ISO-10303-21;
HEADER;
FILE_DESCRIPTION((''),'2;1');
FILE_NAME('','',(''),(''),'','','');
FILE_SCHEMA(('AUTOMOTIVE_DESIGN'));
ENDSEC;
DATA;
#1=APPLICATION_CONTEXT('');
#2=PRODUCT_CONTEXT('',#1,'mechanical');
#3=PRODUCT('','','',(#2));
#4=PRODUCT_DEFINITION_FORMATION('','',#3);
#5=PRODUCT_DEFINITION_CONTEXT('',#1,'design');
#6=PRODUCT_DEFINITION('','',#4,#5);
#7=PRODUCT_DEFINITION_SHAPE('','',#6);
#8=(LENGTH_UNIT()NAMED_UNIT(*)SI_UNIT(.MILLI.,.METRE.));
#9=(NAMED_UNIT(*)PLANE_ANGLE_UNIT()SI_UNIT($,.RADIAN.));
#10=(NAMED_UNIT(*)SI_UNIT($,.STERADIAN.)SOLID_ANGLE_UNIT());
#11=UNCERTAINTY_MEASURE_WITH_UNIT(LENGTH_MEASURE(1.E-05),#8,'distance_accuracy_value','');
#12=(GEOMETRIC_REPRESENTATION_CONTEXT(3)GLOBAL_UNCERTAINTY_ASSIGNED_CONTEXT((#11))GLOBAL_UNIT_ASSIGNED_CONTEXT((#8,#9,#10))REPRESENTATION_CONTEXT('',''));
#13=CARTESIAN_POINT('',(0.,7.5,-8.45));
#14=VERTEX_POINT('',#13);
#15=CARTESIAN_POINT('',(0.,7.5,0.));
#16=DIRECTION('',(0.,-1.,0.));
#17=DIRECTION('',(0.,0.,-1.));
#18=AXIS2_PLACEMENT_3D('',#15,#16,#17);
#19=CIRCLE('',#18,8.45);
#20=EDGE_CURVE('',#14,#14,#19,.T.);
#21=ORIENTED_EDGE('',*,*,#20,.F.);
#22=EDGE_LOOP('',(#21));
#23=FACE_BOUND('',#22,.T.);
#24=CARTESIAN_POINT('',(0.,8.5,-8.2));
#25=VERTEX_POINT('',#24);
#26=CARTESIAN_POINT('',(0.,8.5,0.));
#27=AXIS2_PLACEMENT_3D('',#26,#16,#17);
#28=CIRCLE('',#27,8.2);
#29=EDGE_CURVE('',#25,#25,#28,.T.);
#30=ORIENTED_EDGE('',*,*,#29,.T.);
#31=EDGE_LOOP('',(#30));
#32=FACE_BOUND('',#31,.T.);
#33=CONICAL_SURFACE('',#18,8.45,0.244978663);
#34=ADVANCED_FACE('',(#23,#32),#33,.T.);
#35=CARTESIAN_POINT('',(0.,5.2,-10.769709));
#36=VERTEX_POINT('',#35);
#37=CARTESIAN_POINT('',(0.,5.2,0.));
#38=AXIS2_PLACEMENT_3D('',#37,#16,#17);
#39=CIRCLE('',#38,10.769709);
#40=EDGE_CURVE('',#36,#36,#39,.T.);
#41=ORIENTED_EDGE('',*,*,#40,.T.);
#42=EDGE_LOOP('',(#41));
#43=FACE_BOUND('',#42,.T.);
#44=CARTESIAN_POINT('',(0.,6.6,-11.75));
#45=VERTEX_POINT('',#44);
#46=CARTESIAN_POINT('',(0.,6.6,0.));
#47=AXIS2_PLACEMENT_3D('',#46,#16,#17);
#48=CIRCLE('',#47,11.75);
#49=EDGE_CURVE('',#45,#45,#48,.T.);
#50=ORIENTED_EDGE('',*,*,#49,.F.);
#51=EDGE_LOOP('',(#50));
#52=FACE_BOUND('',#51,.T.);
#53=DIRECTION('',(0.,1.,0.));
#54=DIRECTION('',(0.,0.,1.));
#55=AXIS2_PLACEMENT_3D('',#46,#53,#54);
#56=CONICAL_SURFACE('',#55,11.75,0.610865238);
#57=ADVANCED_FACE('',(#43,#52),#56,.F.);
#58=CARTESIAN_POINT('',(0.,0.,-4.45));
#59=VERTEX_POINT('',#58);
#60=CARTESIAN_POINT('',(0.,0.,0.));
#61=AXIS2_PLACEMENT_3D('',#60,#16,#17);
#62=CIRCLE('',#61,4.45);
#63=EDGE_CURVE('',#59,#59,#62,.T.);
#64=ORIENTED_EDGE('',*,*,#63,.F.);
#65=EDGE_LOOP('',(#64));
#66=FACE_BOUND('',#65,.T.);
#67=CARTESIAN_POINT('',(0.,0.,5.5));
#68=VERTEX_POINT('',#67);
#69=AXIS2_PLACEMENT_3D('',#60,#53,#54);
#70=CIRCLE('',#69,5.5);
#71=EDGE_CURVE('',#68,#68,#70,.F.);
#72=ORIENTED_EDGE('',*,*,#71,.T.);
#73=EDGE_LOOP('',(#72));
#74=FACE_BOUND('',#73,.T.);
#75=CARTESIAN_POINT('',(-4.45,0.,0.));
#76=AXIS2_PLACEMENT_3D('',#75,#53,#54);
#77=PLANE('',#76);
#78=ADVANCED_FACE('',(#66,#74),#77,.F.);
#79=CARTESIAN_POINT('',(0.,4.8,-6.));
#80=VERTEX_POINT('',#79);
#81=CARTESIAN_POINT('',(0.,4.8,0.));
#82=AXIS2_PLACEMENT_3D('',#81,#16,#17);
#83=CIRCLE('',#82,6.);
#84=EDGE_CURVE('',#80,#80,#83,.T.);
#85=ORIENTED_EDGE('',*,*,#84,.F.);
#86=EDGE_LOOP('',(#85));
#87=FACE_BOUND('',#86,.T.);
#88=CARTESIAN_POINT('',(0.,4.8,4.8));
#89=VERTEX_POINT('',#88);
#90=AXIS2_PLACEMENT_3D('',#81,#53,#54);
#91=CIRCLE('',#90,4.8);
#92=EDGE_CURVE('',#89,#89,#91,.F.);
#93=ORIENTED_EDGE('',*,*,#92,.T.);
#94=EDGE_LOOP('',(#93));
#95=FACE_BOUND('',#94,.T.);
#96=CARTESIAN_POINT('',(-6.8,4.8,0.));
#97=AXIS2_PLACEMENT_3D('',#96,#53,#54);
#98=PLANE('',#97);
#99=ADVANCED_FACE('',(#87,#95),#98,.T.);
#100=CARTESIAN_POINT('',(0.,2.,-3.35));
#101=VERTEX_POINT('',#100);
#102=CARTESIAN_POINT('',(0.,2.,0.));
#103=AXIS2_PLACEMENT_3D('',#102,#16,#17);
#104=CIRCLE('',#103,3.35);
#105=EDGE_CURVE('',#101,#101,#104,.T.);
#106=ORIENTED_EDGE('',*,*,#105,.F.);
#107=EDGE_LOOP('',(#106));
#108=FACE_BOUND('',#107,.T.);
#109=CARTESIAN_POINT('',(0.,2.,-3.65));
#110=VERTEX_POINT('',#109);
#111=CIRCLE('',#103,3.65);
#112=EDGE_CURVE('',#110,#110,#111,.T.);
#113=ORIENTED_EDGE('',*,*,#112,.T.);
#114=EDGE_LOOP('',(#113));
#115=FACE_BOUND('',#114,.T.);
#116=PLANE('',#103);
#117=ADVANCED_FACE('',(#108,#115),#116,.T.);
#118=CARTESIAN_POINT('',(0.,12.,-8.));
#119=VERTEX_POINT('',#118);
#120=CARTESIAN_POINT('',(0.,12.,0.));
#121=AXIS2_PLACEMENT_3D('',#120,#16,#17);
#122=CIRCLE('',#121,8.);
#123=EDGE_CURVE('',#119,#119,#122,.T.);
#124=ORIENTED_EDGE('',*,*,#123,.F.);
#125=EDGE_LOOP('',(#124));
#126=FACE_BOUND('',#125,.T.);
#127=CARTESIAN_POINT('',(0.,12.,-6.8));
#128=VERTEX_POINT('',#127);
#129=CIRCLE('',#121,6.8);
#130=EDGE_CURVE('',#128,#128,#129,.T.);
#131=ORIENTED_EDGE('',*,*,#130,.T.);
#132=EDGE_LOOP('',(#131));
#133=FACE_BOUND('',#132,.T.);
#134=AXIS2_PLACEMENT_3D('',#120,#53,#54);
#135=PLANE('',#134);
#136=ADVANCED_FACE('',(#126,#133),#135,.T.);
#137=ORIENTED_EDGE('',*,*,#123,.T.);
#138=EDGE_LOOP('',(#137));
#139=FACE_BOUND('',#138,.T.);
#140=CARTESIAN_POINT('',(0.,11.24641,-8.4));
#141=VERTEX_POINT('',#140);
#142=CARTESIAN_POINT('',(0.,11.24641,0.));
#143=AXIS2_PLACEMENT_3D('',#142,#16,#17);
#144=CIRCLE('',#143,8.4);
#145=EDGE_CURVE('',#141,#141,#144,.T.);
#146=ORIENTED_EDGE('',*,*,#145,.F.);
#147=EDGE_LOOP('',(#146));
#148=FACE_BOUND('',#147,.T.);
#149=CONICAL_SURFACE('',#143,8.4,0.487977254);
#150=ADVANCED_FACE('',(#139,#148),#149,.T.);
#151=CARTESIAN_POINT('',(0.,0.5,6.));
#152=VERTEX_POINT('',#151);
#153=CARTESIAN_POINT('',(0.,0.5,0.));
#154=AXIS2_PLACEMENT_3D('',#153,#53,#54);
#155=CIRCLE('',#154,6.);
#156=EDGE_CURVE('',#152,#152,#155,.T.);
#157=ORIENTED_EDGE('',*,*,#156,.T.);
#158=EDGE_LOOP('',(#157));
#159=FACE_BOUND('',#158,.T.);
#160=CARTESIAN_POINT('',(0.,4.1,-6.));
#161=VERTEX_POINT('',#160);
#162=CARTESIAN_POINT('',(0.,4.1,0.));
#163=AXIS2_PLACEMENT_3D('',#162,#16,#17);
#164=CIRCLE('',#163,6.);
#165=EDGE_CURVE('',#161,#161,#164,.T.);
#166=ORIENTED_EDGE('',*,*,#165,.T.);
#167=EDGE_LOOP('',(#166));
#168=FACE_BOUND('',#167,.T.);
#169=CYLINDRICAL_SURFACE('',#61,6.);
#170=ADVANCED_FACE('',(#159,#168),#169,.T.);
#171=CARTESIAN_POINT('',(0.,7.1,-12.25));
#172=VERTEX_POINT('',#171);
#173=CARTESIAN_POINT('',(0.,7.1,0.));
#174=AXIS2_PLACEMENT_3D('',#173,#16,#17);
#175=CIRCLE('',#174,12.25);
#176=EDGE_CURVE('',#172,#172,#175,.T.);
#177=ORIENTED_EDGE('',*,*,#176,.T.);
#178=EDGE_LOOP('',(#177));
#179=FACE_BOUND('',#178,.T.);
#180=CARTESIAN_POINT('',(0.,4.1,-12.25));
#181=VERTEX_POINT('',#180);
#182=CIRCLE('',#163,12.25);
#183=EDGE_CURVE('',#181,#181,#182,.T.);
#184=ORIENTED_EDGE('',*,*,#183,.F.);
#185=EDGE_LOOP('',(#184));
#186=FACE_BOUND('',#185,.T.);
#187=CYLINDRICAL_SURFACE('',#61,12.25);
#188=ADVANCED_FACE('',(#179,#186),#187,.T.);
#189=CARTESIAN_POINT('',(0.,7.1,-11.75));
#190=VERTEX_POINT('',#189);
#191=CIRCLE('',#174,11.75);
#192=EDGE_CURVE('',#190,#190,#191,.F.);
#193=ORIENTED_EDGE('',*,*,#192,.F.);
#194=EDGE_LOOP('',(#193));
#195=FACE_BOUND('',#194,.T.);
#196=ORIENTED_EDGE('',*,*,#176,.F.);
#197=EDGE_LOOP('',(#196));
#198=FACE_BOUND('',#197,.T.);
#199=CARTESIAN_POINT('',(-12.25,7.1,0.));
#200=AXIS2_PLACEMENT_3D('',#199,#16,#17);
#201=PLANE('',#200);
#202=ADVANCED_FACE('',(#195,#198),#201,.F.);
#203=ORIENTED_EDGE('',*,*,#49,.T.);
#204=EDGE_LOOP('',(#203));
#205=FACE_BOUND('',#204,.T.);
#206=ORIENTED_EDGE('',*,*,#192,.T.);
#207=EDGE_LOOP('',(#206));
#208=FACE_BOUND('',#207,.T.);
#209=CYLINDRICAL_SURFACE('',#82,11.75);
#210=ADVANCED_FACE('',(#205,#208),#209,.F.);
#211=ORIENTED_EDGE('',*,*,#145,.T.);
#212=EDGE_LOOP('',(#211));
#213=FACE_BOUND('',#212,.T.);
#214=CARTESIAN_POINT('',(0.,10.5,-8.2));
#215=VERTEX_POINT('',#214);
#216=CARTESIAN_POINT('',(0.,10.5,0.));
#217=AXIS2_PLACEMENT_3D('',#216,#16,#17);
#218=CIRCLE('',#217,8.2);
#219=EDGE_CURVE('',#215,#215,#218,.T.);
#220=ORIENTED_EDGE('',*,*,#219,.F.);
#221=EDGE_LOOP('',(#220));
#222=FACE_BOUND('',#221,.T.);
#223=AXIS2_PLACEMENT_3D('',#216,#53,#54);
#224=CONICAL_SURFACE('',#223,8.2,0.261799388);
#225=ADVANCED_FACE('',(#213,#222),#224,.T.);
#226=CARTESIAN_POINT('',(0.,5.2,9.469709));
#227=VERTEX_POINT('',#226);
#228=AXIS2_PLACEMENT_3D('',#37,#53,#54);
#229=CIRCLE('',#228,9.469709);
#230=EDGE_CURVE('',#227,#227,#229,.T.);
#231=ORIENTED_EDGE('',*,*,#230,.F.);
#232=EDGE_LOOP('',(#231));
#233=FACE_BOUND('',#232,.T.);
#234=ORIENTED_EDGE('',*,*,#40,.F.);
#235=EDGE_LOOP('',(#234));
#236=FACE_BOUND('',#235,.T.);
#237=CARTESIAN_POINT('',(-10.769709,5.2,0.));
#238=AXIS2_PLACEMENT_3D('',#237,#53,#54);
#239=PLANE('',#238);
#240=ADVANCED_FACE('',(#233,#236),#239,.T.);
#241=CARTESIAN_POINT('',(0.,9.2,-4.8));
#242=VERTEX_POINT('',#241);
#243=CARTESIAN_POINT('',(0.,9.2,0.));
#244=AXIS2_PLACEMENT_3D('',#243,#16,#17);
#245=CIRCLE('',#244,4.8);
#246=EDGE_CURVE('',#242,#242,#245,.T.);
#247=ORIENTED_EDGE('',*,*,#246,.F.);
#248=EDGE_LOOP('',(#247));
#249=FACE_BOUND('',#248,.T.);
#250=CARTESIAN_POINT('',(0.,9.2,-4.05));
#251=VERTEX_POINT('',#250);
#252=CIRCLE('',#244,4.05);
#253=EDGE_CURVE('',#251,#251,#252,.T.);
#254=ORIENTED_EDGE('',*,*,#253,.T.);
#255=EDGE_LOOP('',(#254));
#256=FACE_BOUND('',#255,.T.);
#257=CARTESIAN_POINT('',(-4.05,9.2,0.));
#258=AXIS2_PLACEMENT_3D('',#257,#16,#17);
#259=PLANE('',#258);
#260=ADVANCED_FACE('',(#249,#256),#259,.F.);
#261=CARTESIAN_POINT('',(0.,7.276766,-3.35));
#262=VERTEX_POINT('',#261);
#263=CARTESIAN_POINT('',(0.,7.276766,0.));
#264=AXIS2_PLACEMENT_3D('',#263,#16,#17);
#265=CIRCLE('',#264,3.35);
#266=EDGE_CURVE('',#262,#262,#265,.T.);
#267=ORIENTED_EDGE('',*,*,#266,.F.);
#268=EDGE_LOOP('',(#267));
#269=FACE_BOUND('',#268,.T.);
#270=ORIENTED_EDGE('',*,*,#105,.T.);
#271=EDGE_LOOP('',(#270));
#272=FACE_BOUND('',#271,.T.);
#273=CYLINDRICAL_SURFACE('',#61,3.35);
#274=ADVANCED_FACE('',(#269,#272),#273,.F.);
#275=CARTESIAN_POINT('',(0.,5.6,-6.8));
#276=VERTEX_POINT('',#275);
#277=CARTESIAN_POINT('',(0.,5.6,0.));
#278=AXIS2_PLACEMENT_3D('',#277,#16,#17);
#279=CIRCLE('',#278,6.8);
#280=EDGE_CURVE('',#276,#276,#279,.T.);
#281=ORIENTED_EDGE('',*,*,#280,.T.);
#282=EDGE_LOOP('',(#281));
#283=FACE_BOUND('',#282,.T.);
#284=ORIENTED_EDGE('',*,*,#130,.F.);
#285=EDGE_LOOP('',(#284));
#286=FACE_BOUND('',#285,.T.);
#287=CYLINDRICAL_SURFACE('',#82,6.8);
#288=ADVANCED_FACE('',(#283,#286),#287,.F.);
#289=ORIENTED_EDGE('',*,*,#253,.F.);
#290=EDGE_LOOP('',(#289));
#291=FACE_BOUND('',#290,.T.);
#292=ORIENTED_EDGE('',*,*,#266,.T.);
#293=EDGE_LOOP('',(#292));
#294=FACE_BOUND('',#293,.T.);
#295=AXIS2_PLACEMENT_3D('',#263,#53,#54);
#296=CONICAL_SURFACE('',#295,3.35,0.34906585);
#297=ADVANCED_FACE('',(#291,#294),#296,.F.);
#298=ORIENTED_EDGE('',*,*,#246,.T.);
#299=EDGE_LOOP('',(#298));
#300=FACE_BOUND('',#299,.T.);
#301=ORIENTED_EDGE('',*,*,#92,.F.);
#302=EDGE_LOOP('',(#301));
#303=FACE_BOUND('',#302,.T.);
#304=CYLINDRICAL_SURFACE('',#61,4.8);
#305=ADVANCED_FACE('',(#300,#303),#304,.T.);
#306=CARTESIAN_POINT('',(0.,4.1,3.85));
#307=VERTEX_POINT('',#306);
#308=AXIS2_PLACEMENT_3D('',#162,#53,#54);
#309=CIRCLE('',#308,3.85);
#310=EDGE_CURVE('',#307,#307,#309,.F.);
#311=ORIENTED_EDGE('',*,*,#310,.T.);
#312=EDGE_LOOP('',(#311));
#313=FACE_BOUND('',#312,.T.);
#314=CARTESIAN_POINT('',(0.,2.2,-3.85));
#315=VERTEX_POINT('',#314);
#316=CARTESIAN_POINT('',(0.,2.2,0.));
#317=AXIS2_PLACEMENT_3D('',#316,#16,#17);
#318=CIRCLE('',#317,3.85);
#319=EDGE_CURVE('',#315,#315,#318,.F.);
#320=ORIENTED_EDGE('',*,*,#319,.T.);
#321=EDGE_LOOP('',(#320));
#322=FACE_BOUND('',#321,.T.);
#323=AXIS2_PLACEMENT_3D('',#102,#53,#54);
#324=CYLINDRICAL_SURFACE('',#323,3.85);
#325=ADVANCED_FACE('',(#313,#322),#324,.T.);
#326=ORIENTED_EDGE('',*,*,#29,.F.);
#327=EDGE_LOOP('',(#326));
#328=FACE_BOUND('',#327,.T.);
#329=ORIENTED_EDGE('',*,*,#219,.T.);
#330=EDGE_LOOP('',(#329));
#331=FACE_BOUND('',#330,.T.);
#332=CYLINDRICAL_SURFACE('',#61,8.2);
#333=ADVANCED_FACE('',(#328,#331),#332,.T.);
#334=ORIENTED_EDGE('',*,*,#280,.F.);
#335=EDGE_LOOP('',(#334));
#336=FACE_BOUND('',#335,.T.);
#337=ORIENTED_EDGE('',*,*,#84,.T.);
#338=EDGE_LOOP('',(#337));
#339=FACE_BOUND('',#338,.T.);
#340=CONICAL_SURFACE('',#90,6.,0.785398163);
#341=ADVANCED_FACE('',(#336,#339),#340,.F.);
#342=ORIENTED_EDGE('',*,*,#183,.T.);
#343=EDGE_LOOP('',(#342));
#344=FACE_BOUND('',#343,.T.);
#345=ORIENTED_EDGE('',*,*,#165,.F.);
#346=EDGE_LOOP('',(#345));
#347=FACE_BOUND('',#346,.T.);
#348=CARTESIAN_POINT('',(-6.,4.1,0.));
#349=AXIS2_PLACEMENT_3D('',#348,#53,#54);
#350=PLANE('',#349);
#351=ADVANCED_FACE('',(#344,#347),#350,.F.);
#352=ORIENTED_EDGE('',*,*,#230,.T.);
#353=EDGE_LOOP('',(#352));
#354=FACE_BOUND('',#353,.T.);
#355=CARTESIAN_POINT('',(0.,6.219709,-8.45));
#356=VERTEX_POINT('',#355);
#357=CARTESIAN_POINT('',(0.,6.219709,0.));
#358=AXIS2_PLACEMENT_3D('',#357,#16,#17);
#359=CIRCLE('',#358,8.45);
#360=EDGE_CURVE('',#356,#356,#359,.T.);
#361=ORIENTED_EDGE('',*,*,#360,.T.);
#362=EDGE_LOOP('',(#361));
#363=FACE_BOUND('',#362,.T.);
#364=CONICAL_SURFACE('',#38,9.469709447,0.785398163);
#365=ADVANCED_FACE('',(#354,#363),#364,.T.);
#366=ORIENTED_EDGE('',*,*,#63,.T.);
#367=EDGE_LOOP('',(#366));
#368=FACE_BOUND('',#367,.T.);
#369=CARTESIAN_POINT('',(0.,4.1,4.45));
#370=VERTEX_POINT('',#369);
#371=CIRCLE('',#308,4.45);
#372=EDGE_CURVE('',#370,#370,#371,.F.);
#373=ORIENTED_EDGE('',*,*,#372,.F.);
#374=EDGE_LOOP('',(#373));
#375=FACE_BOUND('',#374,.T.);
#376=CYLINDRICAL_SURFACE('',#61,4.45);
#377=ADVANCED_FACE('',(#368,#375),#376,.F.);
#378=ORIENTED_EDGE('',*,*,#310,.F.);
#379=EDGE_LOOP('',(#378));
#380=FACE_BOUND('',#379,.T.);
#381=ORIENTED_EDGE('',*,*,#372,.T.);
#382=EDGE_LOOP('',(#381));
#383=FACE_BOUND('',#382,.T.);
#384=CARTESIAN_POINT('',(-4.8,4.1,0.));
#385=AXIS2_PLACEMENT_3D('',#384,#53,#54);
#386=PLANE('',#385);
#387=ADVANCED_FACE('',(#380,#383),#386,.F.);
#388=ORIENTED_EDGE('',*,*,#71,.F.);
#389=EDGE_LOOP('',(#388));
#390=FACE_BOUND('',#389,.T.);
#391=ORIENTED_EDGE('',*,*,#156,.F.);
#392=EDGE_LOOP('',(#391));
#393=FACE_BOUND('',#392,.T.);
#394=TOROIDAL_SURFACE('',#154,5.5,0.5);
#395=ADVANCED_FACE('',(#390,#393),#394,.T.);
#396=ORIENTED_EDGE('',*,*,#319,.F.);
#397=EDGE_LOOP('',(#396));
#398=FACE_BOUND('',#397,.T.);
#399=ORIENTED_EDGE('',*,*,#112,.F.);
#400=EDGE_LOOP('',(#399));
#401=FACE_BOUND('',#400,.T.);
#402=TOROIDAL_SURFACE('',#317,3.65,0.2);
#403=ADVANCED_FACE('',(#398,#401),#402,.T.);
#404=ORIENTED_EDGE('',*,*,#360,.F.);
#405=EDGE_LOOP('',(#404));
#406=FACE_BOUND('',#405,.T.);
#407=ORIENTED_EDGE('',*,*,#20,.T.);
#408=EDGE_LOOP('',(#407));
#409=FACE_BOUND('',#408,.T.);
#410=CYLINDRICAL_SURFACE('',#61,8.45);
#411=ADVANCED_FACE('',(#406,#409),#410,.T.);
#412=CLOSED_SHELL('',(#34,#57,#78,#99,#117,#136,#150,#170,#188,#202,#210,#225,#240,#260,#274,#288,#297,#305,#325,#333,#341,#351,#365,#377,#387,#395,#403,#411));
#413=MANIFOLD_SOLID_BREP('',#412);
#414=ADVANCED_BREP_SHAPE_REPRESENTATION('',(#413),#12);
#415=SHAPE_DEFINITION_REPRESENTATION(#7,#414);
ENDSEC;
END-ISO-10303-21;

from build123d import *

# Parameters (mm, degrees)
SKETCH4_R           = 3.85
SKETCH4_R_2         = 3.35
BOSS_EXTRUDE1_DEPTH = 2.1
FILLET1_R           = 0.5
FILLET2_R           = 0.2


with BuildPart() as part:
    # Sketch1 → Revolve1 (revolve)
    with BuildSketch(Plane.XY, mode=Mode.PRIVATE) as revolve1_sk:
        Polygon((-12.25, 7.1), (-4.45, 7.1), (-4.45, 0), (-6, 0), (-6, 4.1), (-12.25, 4.1), align=None)
    revolve(revolve1_sk.sketch.rotate(Axis((0, 0, 0), (0, 1, 0)), 270), axis=Axis((0, 0, 0), (0, 1, 0)))

    # Sketch2 → Cut-Revolve1 (revolve, cut)
    with BuildSketch(Plane.XY, mode=Mode.PRIVATE) as cut_revolve1_sk:
        Polygon((-11.75, 7.1), (-11.75, 6.6), (-10.769709447, 5.2), (-6.8, 5.2), (-6.8, 4.8), (0, 4.8), (0, 10.778180343), (-11.75, 10.778180343), align=None)
    revolve(cut_revolve1_sk.sketch.rotate(Axis((0, 4.8, 0), (0, 1, 0)), 270), axis=Axis((0, 4.8, 0), (0, 1, 0)), mode=Mode.SUBTRACT)

    # Sketch3 → Revolve2 (revolve)
    with BuildSketch(Plane.XY, mode=Mode.PRIVATE) as revolve2_sk:
        Polygon((-4.8, 9.2), (-4.8, 4.1), (-3.35, 4.1), (-3.35, 7.276765806), (-4.05, 9.2), align=None)
    revolve(revolve2_sk.sketch.rotate(Axis((0, 0, 0), (0, 1, 0)), 270), axis=Axis((0, 0, 0), (0, 1, 0)))

    # Sketch4 → Boss-Extrude1 (add)
    with BuildSketch(Plane.XZ.offset(-4.1)):
        with Locations(Location((0, 0, 0), (0, 0, 90))):
            Circle(SKETCH4_R)
        with Locations(Location((0, 0, 0), (0, 0, 270))):
            Circle(SKETCH4_R_2, mode=Mode.SUBTRACT)
    extrude(amount=BOSS_EXTRUDE1_DEPTH)

    # Sketch5 → Revolve3 (revolve)
    with BuildSketch(Plane.XY, mode=Mode.PRIVATE) as revolve3_sk:
        Polygon((-8, 12), (-6.8, 12), (-6.8, 5.2), (-9.469709447, 5.2), (-8.45, 6.219709447), (-8.45, 7.5), (-8.2, 8.5), (-8.2, 10.5), (-8.4, 11.246410162), align=None)
    revolve(revolve3_sk.sketch.rotate(Axis((0, 0, 0), (0, 1, 0)), 270), axis=Axis((0, 0, 0), (0, 1, 0)))

    # Sketch6 → Revolve4 (revolve)
    with BuildSketch(Plane.XY, mode=Mode.PRIVATE) as revolve4_sk:
        Polygon((-6.8, 5.6), (-6, 4.8), (-6, 4.543753343), (-7.17505457, 4.543753343), (-7.17505457, 5.6), align=None)
    revolve(revolve4_sk.sketch.rotate(Axis((0, 0, 0), (0, 1, 0)), 270), axis=Axis((0, 0, 0), (0, 1, 0)))

    # Fillet1
    fillet1_edges = [part.edges().sort_by_distance(p)[0] for p in [
        (0, 0, 6),
    ]]
    fillet(fillet1_edges, radius=FILLET1_R)

    # Fillet2
    fillet2_edges = [part.edges().sort_by_distance(p)[0] for p in [
        (0, 2, -3.85),
    ]]
    fillet(fillet2_edges, radius=FILLET2_R)


solid = part.part
